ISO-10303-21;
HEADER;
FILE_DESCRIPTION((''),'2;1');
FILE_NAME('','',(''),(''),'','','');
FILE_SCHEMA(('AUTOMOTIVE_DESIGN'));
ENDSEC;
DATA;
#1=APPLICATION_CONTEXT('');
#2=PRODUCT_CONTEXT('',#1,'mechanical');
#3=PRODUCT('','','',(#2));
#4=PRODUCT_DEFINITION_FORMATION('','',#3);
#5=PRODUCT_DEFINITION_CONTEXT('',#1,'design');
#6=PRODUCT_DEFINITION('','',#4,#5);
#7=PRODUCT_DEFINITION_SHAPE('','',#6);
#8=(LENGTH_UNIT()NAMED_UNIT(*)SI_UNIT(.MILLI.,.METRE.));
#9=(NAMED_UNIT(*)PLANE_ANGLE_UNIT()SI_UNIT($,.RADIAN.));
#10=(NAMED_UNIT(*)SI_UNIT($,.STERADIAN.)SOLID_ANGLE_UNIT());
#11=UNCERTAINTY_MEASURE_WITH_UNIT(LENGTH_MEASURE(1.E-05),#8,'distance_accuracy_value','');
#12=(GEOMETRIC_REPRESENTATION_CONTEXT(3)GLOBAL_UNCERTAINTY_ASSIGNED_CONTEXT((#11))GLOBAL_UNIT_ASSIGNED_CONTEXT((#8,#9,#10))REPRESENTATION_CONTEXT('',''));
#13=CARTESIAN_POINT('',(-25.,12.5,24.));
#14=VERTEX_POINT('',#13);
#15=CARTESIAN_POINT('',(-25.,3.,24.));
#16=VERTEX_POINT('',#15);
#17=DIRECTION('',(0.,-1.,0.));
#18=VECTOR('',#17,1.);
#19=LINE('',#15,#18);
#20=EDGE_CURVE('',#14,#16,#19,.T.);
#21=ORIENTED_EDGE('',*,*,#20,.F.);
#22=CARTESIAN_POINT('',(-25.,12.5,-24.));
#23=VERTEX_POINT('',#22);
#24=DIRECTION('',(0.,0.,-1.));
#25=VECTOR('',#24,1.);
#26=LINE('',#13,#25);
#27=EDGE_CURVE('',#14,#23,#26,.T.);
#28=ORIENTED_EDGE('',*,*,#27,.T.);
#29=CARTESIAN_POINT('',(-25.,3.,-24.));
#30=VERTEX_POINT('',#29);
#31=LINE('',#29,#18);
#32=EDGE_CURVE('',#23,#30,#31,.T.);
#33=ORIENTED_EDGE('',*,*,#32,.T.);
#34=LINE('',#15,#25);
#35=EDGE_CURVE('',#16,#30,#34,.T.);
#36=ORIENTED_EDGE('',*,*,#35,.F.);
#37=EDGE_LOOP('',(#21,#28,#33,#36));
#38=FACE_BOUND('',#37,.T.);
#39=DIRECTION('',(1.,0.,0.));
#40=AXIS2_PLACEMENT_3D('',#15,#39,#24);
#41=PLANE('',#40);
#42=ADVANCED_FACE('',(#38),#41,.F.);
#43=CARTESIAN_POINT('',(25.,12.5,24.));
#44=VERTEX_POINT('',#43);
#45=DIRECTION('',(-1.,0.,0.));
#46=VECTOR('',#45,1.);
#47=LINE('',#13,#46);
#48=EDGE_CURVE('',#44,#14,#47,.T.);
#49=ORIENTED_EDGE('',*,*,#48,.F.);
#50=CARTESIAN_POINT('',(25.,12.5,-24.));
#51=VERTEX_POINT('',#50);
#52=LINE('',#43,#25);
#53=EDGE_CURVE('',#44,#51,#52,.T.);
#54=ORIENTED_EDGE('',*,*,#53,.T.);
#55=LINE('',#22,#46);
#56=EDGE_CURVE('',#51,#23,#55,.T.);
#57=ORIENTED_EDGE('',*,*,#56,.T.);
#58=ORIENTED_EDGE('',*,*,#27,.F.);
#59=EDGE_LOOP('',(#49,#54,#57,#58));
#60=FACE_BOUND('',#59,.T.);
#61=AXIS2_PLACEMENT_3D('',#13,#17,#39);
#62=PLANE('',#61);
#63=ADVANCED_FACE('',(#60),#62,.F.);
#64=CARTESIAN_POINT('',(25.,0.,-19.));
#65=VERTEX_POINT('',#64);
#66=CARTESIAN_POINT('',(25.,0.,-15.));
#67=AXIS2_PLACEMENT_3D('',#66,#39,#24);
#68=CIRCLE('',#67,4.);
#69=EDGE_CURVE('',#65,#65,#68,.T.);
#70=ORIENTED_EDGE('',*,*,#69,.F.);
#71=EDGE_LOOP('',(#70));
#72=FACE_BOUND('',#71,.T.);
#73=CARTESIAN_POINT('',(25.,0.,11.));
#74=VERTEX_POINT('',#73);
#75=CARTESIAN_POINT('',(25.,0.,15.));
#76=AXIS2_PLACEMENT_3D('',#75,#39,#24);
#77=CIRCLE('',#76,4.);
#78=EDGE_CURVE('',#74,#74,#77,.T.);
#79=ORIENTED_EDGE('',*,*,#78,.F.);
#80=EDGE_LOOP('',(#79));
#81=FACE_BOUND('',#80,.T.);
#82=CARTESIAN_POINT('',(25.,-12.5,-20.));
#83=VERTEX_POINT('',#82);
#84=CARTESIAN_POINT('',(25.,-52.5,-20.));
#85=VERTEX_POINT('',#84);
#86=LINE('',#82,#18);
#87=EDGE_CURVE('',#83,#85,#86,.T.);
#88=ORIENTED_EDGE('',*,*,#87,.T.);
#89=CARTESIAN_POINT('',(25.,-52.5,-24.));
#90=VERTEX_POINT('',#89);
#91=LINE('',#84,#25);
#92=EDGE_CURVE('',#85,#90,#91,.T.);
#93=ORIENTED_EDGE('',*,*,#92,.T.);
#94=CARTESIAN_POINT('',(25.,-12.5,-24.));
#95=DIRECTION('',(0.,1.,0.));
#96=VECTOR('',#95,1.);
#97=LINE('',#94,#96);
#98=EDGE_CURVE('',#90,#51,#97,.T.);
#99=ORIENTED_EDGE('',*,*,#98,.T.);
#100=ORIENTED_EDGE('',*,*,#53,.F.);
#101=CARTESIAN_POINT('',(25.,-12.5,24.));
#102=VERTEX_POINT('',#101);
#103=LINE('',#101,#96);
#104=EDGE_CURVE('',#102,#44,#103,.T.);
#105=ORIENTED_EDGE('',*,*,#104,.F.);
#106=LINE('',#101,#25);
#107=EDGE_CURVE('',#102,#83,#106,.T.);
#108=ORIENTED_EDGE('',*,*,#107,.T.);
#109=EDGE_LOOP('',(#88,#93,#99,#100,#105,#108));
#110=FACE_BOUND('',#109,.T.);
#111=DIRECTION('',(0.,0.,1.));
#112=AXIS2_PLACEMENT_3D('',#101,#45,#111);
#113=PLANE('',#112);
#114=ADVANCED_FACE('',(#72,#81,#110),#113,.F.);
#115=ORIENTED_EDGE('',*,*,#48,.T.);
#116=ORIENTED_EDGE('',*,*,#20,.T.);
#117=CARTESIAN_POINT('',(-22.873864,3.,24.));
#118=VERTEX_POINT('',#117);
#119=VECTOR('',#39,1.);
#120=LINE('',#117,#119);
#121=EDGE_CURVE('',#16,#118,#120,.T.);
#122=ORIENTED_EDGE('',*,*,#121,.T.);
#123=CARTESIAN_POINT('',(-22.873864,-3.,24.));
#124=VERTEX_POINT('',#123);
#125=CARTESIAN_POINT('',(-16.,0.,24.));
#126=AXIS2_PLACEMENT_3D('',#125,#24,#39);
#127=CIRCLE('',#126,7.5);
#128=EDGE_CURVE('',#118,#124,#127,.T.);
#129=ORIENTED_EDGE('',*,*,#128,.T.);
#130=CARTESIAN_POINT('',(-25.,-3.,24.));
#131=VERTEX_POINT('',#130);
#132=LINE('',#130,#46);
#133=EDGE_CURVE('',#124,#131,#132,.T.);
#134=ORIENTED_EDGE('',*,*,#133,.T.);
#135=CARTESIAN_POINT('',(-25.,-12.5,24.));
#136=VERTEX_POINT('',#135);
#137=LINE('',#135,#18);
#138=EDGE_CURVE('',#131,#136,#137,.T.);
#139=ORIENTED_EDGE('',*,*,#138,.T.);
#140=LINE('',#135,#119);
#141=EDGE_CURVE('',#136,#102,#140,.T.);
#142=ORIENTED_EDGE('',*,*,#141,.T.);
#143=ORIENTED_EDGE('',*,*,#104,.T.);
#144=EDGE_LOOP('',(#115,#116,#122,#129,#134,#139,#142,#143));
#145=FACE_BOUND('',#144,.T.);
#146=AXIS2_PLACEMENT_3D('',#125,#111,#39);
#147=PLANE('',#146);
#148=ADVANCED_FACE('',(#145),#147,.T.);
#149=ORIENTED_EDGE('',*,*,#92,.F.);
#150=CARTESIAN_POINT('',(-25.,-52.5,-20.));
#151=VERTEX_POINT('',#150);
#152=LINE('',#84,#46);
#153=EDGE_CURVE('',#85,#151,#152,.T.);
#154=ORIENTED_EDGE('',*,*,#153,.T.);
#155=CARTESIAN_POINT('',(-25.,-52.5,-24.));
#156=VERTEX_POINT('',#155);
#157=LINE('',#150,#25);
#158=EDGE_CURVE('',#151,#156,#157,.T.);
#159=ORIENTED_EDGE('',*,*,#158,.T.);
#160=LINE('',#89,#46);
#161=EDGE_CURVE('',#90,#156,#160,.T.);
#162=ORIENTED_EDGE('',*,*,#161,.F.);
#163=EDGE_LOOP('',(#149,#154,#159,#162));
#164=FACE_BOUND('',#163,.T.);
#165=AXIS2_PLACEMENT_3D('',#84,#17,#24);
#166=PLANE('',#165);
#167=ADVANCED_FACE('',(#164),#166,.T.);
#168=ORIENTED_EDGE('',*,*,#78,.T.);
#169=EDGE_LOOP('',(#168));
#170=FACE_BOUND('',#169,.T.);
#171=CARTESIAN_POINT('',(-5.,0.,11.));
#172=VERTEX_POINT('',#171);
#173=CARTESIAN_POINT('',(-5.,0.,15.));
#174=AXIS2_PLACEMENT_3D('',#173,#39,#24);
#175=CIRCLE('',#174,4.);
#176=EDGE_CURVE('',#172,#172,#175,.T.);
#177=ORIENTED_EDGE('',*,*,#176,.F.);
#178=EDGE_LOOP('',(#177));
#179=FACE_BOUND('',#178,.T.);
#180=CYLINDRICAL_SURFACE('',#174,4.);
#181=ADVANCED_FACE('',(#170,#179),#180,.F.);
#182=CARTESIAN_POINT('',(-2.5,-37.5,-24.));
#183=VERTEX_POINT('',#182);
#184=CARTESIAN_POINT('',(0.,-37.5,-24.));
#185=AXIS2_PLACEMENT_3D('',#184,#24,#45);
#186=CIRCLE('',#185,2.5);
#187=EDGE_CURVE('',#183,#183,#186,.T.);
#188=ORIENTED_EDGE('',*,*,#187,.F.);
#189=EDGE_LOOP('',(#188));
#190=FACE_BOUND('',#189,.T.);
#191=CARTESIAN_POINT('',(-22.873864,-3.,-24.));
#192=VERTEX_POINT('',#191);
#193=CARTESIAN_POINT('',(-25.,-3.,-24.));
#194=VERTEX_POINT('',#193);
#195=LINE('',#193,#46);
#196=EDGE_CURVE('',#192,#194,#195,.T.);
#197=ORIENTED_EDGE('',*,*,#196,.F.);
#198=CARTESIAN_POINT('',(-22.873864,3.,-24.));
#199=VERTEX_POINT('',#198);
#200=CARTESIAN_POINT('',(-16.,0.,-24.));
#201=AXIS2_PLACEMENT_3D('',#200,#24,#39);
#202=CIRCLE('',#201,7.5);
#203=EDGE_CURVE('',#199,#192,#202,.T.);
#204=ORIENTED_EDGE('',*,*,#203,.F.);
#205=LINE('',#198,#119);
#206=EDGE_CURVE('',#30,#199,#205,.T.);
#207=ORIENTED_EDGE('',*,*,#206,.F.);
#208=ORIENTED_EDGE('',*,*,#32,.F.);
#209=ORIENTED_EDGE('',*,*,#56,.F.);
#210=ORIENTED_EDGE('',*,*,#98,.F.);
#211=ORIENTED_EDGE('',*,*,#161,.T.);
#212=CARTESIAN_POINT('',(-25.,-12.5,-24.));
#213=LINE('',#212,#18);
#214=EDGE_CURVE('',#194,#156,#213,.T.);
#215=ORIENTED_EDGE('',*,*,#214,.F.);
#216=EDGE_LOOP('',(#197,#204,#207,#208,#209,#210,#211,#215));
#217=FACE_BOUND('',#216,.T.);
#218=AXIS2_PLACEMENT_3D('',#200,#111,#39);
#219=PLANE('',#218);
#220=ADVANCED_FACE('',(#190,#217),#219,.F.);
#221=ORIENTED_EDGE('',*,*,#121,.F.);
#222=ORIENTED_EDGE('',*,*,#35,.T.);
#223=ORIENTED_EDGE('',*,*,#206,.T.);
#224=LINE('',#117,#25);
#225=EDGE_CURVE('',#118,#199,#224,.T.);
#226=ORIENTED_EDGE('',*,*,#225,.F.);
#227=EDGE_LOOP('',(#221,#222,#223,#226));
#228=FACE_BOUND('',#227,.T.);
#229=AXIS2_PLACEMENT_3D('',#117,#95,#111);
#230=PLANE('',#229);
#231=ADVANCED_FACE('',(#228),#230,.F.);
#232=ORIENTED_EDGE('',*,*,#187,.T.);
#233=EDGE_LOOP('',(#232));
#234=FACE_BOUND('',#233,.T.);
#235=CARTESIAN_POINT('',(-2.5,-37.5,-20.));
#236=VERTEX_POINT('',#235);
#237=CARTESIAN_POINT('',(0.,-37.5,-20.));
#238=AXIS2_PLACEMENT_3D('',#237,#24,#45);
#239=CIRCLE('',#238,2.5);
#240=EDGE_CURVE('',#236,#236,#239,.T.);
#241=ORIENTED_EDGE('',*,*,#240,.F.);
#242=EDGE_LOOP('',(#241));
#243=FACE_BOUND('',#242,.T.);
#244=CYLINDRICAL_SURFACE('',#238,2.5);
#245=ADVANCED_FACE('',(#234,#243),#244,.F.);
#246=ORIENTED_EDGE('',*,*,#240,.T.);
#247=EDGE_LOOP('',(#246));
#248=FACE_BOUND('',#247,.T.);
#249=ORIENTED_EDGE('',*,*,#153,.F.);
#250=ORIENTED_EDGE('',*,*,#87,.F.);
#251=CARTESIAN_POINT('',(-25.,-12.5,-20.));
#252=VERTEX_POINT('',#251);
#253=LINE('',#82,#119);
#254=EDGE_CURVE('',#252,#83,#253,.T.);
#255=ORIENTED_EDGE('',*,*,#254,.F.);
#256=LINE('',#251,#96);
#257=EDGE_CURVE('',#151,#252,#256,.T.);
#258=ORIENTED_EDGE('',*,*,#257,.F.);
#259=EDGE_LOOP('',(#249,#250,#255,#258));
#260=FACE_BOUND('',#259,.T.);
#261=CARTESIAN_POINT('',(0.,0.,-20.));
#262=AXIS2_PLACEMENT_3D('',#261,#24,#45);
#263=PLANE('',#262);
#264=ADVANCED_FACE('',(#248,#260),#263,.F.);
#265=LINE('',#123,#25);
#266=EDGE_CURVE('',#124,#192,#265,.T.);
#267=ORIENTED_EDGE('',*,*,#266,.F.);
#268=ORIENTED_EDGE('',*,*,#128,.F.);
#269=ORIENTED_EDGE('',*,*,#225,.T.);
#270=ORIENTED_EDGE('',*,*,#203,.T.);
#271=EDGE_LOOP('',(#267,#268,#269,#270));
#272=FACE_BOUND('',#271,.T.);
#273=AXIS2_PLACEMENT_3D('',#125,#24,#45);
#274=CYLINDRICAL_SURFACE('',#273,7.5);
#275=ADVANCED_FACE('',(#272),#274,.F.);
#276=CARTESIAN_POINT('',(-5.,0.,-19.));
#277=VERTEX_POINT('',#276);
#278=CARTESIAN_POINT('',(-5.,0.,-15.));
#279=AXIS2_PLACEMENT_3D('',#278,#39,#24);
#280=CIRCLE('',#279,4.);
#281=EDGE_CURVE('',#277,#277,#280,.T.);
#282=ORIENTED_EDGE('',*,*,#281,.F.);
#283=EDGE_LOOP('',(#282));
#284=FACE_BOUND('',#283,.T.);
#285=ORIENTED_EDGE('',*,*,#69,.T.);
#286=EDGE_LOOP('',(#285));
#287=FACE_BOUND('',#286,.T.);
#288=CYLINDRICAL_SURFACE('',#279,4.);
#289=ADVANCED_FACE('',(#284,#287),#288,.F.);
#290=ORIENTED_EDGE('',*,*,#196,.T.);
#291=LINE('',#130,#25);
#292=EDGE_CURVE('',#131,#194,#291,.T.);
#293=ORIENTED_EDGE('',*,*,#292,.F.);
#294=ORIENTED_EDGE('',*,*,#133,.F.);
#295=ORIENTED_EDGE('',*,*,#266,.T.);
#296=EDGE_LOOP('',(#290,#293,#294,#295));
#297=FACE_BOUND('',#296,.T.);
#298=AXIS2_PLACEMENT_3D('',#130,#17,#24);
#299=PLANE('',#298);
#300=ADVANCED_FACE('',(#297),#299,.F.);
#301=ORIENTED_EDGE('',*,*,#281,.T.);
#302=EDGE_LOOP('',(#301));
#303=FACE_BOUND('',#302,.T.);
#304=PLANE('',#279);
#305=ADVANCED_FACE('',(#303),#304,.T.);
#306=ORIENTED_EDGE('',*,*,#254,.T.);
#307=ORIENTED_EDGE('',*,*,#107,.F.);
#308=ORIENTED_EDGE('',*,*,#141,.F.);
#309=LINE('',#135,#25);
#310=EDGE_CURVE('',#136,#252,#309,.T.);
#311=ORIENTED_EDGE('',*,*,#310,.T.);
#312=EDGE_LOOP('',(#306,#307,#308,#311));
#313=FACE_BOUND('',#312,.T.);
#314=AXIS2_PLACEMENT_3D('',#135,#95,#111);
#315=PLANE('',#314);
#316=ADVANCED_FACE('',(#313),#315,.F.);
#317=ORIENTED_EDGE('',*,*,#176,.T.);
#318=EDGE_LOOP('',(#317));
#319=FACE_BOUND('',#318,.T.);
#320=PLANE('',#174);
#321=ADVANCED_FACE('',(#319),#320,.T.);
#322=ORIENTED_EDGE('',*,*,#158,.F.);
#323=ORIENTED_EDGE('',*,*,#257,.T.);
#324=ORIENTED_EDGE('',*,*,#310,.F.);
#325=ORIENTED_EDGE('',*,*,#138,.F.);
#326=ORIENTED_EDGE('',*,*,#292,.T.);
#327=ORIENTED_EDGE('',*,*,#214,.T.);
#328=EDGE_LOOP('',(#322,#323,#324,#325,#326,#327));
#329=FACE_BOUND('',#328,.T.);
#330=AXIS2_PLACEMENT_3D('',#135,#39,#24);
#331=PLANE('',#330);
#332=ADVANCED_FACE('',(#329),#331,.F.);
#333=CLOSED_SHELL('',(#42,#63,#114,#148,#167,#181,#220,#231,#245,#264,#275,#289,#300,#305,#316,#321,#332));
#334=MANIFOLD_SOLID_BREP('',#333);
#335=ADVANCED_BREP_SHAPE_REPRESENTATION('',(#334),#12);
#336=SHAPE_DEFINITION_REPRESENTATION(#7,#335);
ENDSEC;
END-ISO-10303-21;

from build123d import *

# Parameters (mm, degrees)
BOSS_EXTRUDE1_DEPTH = 24
SKETCH2_R           = 4
CUT_EXTRUDE1_DEPTH  = 30
SKETCH5_W           = 50
SKETCH5_H           = 40
SKETCH5_R           = 2.5
BOSS_EXTRUDE3_DEPTH = 4


with BuildPart() as part:
    # Sketch1 → Boss-Extrude1 (new, symmetric)
    with BuildSketch(Plane.XY):
        with BuildLine():
            Line((-22.873863542, 3), (-25, 3))
            Line((-25, 3), (-25, 12.5))
            Line((-25, 12.5), (25, 12.5))
            Line((25, 12.5), (25, -12.5))
            Line((25, -12.5), (-25, -12.5))
            Line((-25, -12.5), (-25, -3))
            Line((-25, -3), (-22.873863542, -3))
            ThreePointArc((-22.873863542, -3), (-8.5, 0), (-22.873863542, 3))
        make_face()
    extrude(amount=BOSS_EXTRUDE1_DEPTH, both=True)

    # Sketch2 → Cut-Extrude1 (cut)
    with BuildSketch(Plane(origin=(25, 0, 0), x_dir=(0, 0, -1), z_dir=(1, 0, 0))):
        with Locations((-15, 0)):
            Circle(SKETCH2_R)
        with Locations((15, 0)):
            Circle(SKETCH2_R)
    extrude(amount=-CUT_EXTRUDE1_DEPTH, mode=Mode.SUBTRACT)

    # Sketch5 → Boss-Extrude3 (add)
    with BuildSketch(Plane(origin=(0, 0, -24), x_dir=(-1, 0, 0), z_dir=(0, 0, -1))):
        with Locations((0, -32.5)):
            Rectangle(SKETCH5_W, SKETCH5_H)
        with Locations((0, -37.5)):
            Circle(SKETCH5_R, mode=Mode.SUBTRACT)
    extrude(amount=-BOSS_EXTRUDE3_DEPTH)


solid = part.part
